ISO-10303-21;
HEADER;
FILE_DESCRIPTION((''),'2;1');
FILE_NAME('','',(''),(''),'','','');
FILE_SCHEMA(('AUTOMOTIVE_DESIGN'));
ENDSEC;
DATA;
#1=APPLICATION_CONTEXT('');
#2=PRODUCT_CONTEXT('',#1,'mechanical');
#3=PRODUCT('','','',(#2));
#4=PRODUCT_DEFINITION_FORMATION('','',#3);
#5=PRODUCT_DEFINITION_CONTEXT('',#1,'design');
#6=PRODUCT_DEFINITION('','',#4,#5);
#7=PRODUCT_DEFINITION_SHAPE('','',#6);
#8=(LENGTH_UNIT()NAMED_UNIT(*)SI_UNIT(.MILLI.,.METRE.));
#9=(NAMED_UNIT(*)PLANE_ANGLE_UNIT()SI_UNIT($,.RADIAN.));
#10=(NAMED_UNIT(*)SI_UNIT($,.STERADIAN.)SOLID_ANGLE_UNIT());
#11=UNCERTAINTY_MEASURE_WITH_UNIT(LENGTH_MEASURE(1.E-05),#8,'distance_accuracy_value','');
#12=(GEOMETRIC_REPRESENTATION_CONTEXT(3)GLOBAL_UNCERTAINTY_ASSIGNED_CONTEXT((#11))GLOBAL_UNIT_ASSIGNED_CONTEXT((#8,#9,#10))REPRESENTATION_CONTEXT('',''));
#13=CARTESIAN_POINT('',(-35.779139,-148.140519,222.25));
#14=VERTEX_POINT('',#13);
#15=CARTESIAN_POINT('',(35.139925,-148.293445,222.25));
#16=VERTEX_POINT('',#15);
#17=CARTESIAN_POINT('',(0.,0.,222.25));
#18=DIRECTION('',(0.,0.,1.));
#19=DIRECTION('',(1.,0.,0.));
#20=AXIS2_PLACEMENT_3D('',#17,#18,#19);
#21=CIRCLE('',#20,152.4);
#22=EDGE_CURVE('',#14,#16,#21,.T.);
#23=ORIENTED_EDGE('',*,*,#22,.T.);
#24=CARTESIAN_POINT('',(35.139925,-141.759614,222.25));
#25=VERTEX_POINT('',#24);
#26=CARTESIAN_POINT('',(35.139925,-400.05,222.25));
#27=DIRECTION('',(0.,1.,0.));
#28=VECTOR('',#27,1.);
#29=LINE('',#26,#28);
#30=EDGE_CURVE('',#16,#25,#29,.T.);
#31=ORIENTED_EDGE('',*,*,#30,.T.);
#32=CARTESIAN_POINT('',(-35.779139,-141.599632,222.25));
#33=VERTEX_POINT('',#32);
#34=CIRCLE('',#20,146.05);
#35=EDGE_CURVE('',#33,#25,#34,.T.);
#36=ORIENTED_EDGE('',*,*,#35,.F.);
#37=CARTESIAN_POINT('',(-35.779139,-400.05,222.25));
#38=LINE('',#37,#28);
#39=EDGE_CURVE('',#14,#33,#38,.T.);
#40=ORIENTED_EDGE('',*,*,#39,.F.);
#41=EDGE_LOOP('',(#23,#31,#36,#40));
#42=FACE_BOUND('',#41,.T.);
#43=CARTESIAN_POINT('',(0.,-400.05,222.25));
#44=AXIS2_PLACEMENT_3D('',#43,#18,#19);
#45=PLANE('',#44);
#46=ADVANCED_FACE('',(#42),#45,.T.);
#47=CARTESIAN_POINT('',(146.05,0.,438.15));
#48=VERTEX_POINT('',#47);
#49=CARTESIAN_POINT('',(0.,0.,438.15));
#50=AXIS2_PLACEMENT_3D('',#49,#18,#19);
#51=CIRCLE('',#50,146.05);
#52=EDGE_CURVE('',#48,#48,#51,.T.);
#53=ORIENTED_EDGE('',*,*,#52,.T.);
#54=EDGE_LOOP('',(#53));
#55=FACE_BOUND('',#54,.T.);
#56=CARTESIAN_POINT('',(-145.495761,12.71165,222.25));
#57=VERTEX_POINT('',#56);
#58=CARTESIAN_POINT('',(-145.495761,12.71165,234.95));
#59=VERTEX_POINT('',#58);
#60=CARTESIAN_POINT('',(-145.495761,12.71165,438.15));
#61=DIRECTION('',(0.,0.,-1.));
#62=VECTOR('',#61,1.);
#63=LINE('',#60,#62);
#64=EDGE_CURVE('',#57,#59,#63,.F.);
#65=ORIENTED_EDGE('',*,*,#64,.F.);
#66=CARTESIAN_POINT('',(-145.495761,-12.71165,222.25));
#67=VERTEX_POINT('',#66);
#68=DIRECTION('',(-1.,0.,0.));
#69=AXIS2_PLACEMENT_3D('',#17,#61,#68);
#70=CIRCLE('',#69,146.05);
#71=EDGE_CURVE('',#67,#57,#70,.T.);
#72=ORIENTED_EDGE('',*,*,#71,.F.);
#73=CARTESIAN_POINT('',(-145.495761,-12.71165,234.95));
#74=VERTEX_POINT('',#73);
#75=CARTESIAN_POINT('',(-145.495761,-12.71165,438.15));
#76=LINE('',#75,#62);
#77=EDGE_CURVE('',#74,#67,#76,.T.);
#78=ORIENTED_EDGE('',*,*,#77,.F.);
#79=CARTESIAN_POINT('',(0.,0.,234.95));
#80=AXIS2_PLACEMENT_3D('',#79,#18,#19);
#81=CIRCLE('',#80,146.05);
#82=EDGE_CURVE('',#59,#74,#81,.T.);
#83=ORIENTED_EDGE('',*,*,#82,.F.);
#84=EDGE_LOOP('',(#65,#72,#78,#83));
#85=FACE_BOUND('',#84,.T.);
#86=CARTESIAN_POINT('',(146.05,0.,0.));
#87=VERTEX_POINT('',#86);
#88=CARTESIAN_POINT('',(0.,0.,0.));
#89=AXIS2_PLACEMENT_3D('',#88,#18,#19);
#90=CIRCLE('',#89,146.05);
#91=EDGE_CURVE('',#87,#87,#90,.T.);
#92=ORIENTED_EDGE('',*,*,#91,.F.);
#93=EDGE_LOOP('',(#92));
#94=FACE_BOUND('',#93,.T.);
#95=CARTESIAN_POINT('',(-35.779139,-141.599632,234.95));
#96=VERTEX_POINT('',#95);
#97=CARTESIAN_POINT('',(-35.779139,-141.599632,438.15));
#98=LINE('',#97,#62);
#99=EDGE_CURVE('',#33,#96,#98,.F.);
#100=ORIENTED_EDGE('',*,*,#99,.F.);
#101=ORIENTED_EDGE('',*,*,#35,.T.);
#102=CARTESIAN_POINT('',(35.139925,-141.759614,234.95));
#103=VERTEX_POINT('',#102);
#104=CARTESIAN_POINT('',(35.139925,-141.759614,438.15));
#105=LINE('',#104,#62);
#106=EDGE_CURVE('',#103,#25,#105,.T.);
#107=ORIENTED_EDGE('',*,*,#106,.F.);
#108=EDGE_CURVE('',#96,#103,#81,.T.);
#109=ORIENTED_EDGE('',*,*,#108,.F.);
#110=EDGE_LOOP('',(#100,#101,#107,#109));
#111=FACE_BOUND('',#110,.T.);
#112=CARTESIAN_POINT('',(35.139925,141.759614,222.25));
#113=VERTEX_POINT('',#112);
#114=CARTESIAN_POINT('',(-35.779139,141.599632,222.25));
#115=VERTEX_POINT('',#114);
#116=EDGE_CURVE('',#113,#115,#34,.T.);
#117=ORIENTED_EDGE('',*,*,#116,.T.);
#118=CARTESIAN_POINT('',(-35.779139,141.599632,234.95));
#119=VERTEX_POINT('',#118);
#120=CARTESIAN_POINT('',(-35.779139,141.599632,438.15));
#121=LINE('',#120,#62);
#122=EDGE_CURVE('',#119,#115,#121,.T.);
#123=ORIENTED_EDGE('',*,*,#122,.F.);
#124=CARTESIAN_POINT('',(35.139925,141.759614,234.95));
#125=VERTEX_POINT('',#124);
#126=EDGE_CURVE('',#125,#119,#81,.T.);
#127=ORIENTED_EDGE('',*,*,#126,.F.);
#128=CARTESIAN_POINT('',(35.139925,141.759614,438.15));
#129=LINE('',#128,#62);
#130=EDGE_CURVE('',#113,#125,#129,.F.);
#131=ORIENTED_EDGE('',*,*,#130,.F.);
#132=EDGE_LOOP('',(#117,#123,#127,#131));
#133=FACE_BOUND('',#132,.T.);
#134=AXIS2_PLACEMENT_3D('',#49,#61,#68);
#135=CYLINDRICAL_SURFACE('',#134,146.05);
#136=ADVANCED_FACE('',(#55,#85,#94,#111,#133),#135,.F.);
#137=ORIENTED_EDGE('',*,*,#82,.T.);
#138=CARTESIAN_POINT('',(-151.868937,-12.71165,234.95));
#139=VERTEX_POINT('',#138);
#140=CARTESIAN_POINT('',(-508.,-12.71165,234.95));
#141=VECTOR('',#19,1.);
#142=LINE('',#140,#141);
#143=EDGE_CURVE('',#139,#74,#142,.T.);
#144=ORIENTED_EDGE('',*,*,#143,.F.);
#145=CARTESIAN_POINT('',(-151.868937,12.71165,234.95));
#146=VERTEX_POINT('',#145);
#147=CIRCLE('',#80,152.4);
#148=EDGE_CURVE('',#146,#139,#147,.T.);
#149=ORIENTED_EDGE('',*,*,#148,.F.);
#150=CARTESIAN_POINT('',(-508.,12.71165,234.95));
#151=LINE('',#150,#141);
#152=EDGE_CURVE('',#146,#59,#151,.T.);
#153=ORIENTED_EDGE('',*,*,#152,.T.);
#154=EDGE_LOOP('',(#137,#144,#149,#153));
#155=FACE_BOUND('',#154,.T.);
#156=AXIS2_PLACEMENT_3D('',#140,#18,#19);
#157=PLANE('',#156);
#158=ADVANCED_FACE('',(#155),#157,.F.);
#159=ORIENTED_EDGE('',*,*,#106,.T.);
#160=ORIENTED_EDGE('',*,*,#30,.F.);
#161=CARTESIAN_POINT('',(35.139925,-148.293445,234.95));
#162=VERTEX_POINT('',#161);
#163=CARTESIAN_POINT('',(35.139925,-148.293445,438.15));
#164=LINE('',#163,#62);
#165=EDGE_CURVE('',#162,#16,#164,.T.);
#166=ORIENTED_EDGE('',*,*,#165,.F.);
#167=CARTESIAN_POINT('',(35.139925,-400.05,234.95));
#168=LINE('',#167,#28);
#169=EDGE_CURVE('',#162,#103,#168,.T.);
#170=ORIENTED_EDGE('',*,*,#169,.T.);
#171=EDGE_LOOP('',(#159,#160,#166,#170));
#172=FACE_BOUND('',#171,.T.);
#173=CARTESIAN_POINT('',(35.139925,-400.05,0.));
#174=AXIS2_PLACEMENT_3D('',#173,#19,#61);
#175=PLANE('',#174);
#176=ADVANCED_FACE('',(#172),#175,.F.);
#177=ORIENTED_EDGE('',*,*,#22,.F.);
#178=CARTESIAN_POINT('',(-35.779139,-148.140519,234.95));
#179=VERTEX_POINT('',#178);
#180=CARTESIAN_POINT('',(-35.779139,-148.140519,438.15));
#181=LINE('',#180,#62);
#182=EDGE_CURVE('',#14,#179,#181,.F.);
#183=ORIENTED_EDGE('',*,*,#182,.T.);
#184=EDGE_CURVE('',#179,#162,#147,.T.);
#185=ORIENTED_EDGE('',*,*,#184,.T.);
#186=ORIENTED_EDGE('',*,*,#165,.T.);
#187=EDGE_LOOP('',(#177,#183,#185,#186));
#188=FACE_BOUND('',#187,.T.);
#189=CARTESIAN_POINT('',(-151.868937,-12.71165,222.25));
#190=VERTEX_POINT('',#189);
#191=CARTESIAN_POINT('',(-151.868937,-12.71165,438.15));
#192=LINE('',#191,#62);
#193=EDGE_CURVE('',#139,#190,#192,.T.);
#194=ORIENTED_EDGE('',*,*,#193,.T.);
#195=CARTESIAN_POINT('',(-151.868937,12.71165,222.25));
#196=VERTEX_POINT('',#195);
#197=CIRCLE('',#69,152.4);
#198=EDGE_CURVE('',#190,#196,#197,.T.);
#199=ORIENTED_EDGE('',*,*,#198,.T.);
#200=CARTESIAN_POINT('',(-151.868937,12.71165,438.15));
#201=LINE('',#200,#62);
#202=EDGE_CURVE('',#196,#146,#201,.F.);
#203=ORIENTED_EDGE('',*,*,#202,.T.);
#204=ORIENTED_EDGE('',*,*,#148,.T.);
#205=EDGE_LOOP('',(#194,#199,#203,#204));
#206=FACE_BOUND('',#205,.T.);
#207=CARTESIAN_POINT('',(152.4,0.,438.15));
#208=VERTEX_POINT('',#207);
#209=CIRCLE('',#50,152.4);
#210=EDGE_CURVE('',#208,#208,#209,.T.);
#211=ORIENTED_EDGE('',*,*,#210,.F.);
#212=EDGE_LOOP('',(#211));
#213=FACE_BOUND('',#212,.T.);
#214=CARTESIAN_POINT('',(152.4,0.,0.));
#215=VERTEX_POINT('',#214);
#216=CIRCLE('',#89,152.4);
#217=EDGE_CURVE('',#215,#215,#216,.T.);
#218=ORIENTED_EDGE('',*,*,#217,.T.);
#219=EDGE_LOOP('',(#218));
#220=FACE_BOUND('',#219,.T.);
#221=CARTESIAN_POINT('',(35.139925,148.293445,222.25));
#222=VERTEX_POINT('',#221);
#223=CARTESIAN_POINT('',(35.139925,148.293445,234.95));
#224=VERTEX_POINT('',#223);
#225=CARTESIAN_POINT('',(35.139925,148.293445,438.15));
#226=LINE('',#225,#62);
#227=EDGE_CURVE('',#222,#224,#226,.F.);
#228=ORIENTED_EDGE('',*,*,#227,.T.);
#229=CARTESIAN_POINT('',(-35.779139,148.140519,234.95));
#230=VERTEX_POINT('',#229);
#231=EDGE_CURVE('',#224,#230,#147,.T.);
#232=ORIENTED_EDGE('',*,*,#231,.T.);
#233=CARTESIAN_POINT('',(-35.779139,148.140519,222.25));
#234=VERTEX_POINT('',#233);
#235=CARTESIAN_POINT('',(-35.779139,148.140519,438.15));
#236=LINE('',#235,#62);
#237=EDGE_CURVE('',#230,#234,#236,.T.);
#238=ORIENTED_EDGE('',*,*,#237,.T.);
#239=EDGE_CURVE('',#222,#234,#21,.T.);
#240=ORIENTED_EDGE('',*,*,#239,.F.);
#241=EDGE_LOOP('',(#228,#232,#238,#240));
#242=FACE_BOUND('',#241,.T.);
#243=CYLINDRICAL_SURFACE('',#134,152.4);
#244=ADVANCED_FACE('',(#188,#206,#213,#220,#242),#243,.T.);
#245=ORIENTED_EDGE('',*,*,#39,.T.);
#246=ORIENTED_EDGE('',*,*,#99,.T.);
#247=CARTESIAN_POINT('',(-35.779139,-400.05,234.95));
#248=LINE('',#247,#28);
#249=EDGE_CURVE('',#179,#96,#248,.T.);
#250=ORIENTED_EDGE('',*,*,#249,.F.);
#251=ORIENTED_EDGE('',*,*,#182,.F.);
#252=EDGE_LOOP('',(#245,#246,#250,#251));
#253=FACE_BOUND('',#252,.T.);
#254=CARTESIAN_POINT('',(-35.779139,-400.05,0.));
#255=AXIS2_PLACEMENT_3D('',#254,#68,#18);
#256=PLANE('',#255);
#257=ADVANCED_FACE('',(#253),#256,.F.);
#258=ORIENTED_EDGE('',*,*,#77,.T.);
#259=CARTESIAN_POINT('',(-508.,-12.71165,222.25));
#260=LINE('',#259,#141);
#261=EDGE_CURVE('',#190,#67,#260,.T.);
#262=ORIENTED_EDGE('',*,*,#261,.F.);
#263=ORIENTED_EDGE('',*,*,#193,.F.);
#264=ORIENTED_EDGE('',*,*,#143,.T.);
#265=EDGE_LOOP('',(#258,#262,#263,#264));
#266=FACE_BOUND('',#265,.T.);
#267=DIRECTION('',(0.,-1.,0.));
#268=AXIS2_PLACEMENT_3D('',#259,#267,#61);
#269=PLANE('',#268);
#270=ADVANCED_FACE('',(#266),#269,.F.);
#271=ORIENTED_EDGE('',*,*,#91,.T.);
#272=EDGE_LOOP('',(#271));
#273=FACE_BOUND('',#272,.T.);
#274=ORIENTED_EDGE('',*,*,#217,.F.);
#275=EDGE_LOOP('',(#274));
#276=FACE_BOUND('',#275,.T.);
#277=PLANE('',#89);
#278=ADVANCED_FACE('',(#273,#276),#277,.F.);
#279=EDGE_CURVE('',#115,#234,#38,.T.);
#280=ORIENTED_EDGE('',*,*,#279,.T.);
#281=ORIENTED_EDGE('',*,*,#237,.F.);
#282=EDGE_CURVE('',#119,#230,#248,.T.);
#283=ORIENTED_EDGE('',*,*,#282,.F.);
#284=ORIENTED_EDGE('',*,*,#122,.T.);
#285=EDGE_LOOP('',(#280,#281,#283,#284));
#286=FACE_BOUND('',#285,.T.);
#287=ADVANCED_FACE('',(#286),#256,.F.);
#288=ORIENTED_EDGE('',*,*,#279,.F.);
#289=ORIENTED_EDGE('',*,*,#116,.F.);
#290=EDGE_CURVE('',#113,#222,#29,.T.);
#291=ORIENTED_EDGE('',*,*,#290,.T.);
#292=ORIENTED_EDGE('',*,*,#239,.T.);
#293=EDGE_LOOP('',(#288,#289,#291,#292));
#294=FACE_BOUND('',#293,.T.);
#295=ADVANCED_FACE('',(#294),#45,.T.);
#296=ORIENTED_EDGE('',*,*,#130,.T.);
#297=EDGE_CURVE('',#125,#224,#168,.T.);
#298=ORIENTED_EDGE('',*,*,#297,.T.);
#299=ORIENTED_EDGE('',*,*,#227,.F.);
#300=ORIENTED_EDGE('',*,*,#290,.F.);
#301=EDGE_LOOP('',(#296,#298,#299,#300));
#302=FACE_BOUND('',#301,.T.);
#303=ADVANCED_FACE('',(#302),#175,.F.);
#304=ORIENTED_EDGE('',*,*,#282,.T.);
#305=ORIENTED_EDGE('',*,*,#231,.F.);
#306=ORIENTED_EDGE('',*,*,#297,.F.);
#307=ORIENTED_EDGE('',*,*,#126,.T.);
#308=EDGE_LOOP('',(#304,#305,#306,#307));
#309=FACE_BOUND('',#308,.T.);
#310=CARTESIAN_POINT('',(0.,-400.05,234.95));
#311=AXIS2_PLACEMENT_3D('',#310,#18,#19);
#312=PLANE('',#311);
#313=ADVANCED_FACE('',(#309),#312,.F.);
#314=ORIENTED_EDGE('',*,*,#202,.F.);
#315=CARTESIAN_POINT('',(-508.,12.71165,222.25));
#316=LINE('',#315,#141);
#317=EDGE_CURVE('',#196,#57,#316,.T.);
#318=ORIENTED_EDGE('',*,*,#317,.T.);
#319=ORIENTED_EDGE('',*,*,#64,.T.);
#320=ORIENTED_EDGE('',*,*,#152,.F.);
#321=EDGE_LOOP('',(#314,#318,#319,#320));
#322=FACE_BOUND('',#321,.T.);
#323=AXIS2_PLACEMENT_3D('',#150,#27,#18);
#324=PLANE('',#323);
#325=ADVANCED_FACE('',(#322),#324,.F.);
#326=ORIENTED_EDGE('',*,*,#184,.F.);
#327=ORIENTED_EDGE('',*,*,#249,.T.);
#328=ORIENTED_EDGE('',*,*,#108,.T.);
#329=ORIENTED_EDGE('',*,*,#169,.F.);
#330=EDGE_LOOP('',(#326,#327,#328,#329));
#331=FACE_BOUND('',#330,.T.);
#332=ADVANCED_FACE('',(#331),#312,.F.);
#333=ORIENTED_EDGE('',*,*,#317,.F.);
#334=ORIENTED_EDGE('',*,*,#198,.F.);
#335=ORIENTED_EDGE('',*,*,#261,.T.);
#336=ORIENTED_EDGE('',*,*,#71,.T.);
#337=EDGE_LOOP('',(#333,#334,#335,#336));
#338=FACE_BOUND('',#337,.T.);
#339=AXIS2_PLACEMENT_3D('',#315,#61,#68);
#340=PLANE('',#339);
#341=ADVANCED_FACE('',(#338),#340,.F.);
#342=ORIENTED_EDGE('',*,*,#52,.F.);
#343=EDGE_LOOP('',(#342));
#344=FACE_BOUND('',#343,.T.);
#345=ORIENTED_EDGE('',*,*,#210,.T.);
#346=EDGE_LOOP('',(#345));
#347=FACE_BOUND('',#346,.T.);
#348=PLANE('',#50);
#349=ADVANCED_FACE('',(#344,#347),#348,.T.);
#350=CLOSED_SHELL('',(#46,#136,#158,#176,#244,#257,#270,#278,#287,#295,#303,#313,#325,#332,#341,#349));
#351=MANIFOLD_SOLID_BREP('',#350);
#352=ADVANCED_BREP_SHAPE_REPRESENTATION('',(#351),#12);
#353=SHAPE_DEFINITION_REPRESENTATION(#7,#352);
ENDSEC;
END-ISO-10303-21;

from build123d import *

# Parameters (mm, degrees)
SKETCH1_R           = 152.4
SKETCH1_R_2         = 146.05
BOSS_EXTRUDE1_DEPTH = 438.15
SKETCH2_W           = 70.919063033
SKETCH2_H           = 12.7
CUT_EXTRUDE1_DEPTH  = 400.05
SKETCH3_W           = 12.7
SKETCH3_H           = 25.42329985
CUT_EXTRUDE2_DEPTH  = 508


with BuildPart() as part:
    # Sketch1 → Boss-Extrude1 (new body)
    with BuildSketch(Plane.XY):
        Circle(SKETCH1_R)
        Circle(SKETCH1_R_2, mode=Mode.SUBTRACT)
    extrude(amount=BOSS_EXTRUDE1_DEPTH)

    # Sketch2 → Cut-Extrude1 (cut, symmetric)
    with BuildSketch(Plane(origin=(0, 0, 0), x_dir=(1, 0, 0), z_dir=(0, 1, 0))):
        with Locations((-0.319607005, -228.6)):
            Rectangle(SKETCH2_W, SKETCH2_H)
    extrude(amount=CUT_EXTRUDE1_DEPTH, both=True, mode=Mode.SUBTRACT)

    # Sketch3 → Cut-Extrude2 (cut)
    with BuildSketch(Plane(origin=(0, 0, 0), x_dir=(0, 0, -1), z_dir=(1, 0, 0))):
        with Locations((-228.6, 0)):
            Rectangle(SKETCH3_W, SKETCH3_H)
    extrude(amount=-CUT_EXTRUDE2_DEPTH, mode=Mode.SUBTRACT)


solid = part.part
